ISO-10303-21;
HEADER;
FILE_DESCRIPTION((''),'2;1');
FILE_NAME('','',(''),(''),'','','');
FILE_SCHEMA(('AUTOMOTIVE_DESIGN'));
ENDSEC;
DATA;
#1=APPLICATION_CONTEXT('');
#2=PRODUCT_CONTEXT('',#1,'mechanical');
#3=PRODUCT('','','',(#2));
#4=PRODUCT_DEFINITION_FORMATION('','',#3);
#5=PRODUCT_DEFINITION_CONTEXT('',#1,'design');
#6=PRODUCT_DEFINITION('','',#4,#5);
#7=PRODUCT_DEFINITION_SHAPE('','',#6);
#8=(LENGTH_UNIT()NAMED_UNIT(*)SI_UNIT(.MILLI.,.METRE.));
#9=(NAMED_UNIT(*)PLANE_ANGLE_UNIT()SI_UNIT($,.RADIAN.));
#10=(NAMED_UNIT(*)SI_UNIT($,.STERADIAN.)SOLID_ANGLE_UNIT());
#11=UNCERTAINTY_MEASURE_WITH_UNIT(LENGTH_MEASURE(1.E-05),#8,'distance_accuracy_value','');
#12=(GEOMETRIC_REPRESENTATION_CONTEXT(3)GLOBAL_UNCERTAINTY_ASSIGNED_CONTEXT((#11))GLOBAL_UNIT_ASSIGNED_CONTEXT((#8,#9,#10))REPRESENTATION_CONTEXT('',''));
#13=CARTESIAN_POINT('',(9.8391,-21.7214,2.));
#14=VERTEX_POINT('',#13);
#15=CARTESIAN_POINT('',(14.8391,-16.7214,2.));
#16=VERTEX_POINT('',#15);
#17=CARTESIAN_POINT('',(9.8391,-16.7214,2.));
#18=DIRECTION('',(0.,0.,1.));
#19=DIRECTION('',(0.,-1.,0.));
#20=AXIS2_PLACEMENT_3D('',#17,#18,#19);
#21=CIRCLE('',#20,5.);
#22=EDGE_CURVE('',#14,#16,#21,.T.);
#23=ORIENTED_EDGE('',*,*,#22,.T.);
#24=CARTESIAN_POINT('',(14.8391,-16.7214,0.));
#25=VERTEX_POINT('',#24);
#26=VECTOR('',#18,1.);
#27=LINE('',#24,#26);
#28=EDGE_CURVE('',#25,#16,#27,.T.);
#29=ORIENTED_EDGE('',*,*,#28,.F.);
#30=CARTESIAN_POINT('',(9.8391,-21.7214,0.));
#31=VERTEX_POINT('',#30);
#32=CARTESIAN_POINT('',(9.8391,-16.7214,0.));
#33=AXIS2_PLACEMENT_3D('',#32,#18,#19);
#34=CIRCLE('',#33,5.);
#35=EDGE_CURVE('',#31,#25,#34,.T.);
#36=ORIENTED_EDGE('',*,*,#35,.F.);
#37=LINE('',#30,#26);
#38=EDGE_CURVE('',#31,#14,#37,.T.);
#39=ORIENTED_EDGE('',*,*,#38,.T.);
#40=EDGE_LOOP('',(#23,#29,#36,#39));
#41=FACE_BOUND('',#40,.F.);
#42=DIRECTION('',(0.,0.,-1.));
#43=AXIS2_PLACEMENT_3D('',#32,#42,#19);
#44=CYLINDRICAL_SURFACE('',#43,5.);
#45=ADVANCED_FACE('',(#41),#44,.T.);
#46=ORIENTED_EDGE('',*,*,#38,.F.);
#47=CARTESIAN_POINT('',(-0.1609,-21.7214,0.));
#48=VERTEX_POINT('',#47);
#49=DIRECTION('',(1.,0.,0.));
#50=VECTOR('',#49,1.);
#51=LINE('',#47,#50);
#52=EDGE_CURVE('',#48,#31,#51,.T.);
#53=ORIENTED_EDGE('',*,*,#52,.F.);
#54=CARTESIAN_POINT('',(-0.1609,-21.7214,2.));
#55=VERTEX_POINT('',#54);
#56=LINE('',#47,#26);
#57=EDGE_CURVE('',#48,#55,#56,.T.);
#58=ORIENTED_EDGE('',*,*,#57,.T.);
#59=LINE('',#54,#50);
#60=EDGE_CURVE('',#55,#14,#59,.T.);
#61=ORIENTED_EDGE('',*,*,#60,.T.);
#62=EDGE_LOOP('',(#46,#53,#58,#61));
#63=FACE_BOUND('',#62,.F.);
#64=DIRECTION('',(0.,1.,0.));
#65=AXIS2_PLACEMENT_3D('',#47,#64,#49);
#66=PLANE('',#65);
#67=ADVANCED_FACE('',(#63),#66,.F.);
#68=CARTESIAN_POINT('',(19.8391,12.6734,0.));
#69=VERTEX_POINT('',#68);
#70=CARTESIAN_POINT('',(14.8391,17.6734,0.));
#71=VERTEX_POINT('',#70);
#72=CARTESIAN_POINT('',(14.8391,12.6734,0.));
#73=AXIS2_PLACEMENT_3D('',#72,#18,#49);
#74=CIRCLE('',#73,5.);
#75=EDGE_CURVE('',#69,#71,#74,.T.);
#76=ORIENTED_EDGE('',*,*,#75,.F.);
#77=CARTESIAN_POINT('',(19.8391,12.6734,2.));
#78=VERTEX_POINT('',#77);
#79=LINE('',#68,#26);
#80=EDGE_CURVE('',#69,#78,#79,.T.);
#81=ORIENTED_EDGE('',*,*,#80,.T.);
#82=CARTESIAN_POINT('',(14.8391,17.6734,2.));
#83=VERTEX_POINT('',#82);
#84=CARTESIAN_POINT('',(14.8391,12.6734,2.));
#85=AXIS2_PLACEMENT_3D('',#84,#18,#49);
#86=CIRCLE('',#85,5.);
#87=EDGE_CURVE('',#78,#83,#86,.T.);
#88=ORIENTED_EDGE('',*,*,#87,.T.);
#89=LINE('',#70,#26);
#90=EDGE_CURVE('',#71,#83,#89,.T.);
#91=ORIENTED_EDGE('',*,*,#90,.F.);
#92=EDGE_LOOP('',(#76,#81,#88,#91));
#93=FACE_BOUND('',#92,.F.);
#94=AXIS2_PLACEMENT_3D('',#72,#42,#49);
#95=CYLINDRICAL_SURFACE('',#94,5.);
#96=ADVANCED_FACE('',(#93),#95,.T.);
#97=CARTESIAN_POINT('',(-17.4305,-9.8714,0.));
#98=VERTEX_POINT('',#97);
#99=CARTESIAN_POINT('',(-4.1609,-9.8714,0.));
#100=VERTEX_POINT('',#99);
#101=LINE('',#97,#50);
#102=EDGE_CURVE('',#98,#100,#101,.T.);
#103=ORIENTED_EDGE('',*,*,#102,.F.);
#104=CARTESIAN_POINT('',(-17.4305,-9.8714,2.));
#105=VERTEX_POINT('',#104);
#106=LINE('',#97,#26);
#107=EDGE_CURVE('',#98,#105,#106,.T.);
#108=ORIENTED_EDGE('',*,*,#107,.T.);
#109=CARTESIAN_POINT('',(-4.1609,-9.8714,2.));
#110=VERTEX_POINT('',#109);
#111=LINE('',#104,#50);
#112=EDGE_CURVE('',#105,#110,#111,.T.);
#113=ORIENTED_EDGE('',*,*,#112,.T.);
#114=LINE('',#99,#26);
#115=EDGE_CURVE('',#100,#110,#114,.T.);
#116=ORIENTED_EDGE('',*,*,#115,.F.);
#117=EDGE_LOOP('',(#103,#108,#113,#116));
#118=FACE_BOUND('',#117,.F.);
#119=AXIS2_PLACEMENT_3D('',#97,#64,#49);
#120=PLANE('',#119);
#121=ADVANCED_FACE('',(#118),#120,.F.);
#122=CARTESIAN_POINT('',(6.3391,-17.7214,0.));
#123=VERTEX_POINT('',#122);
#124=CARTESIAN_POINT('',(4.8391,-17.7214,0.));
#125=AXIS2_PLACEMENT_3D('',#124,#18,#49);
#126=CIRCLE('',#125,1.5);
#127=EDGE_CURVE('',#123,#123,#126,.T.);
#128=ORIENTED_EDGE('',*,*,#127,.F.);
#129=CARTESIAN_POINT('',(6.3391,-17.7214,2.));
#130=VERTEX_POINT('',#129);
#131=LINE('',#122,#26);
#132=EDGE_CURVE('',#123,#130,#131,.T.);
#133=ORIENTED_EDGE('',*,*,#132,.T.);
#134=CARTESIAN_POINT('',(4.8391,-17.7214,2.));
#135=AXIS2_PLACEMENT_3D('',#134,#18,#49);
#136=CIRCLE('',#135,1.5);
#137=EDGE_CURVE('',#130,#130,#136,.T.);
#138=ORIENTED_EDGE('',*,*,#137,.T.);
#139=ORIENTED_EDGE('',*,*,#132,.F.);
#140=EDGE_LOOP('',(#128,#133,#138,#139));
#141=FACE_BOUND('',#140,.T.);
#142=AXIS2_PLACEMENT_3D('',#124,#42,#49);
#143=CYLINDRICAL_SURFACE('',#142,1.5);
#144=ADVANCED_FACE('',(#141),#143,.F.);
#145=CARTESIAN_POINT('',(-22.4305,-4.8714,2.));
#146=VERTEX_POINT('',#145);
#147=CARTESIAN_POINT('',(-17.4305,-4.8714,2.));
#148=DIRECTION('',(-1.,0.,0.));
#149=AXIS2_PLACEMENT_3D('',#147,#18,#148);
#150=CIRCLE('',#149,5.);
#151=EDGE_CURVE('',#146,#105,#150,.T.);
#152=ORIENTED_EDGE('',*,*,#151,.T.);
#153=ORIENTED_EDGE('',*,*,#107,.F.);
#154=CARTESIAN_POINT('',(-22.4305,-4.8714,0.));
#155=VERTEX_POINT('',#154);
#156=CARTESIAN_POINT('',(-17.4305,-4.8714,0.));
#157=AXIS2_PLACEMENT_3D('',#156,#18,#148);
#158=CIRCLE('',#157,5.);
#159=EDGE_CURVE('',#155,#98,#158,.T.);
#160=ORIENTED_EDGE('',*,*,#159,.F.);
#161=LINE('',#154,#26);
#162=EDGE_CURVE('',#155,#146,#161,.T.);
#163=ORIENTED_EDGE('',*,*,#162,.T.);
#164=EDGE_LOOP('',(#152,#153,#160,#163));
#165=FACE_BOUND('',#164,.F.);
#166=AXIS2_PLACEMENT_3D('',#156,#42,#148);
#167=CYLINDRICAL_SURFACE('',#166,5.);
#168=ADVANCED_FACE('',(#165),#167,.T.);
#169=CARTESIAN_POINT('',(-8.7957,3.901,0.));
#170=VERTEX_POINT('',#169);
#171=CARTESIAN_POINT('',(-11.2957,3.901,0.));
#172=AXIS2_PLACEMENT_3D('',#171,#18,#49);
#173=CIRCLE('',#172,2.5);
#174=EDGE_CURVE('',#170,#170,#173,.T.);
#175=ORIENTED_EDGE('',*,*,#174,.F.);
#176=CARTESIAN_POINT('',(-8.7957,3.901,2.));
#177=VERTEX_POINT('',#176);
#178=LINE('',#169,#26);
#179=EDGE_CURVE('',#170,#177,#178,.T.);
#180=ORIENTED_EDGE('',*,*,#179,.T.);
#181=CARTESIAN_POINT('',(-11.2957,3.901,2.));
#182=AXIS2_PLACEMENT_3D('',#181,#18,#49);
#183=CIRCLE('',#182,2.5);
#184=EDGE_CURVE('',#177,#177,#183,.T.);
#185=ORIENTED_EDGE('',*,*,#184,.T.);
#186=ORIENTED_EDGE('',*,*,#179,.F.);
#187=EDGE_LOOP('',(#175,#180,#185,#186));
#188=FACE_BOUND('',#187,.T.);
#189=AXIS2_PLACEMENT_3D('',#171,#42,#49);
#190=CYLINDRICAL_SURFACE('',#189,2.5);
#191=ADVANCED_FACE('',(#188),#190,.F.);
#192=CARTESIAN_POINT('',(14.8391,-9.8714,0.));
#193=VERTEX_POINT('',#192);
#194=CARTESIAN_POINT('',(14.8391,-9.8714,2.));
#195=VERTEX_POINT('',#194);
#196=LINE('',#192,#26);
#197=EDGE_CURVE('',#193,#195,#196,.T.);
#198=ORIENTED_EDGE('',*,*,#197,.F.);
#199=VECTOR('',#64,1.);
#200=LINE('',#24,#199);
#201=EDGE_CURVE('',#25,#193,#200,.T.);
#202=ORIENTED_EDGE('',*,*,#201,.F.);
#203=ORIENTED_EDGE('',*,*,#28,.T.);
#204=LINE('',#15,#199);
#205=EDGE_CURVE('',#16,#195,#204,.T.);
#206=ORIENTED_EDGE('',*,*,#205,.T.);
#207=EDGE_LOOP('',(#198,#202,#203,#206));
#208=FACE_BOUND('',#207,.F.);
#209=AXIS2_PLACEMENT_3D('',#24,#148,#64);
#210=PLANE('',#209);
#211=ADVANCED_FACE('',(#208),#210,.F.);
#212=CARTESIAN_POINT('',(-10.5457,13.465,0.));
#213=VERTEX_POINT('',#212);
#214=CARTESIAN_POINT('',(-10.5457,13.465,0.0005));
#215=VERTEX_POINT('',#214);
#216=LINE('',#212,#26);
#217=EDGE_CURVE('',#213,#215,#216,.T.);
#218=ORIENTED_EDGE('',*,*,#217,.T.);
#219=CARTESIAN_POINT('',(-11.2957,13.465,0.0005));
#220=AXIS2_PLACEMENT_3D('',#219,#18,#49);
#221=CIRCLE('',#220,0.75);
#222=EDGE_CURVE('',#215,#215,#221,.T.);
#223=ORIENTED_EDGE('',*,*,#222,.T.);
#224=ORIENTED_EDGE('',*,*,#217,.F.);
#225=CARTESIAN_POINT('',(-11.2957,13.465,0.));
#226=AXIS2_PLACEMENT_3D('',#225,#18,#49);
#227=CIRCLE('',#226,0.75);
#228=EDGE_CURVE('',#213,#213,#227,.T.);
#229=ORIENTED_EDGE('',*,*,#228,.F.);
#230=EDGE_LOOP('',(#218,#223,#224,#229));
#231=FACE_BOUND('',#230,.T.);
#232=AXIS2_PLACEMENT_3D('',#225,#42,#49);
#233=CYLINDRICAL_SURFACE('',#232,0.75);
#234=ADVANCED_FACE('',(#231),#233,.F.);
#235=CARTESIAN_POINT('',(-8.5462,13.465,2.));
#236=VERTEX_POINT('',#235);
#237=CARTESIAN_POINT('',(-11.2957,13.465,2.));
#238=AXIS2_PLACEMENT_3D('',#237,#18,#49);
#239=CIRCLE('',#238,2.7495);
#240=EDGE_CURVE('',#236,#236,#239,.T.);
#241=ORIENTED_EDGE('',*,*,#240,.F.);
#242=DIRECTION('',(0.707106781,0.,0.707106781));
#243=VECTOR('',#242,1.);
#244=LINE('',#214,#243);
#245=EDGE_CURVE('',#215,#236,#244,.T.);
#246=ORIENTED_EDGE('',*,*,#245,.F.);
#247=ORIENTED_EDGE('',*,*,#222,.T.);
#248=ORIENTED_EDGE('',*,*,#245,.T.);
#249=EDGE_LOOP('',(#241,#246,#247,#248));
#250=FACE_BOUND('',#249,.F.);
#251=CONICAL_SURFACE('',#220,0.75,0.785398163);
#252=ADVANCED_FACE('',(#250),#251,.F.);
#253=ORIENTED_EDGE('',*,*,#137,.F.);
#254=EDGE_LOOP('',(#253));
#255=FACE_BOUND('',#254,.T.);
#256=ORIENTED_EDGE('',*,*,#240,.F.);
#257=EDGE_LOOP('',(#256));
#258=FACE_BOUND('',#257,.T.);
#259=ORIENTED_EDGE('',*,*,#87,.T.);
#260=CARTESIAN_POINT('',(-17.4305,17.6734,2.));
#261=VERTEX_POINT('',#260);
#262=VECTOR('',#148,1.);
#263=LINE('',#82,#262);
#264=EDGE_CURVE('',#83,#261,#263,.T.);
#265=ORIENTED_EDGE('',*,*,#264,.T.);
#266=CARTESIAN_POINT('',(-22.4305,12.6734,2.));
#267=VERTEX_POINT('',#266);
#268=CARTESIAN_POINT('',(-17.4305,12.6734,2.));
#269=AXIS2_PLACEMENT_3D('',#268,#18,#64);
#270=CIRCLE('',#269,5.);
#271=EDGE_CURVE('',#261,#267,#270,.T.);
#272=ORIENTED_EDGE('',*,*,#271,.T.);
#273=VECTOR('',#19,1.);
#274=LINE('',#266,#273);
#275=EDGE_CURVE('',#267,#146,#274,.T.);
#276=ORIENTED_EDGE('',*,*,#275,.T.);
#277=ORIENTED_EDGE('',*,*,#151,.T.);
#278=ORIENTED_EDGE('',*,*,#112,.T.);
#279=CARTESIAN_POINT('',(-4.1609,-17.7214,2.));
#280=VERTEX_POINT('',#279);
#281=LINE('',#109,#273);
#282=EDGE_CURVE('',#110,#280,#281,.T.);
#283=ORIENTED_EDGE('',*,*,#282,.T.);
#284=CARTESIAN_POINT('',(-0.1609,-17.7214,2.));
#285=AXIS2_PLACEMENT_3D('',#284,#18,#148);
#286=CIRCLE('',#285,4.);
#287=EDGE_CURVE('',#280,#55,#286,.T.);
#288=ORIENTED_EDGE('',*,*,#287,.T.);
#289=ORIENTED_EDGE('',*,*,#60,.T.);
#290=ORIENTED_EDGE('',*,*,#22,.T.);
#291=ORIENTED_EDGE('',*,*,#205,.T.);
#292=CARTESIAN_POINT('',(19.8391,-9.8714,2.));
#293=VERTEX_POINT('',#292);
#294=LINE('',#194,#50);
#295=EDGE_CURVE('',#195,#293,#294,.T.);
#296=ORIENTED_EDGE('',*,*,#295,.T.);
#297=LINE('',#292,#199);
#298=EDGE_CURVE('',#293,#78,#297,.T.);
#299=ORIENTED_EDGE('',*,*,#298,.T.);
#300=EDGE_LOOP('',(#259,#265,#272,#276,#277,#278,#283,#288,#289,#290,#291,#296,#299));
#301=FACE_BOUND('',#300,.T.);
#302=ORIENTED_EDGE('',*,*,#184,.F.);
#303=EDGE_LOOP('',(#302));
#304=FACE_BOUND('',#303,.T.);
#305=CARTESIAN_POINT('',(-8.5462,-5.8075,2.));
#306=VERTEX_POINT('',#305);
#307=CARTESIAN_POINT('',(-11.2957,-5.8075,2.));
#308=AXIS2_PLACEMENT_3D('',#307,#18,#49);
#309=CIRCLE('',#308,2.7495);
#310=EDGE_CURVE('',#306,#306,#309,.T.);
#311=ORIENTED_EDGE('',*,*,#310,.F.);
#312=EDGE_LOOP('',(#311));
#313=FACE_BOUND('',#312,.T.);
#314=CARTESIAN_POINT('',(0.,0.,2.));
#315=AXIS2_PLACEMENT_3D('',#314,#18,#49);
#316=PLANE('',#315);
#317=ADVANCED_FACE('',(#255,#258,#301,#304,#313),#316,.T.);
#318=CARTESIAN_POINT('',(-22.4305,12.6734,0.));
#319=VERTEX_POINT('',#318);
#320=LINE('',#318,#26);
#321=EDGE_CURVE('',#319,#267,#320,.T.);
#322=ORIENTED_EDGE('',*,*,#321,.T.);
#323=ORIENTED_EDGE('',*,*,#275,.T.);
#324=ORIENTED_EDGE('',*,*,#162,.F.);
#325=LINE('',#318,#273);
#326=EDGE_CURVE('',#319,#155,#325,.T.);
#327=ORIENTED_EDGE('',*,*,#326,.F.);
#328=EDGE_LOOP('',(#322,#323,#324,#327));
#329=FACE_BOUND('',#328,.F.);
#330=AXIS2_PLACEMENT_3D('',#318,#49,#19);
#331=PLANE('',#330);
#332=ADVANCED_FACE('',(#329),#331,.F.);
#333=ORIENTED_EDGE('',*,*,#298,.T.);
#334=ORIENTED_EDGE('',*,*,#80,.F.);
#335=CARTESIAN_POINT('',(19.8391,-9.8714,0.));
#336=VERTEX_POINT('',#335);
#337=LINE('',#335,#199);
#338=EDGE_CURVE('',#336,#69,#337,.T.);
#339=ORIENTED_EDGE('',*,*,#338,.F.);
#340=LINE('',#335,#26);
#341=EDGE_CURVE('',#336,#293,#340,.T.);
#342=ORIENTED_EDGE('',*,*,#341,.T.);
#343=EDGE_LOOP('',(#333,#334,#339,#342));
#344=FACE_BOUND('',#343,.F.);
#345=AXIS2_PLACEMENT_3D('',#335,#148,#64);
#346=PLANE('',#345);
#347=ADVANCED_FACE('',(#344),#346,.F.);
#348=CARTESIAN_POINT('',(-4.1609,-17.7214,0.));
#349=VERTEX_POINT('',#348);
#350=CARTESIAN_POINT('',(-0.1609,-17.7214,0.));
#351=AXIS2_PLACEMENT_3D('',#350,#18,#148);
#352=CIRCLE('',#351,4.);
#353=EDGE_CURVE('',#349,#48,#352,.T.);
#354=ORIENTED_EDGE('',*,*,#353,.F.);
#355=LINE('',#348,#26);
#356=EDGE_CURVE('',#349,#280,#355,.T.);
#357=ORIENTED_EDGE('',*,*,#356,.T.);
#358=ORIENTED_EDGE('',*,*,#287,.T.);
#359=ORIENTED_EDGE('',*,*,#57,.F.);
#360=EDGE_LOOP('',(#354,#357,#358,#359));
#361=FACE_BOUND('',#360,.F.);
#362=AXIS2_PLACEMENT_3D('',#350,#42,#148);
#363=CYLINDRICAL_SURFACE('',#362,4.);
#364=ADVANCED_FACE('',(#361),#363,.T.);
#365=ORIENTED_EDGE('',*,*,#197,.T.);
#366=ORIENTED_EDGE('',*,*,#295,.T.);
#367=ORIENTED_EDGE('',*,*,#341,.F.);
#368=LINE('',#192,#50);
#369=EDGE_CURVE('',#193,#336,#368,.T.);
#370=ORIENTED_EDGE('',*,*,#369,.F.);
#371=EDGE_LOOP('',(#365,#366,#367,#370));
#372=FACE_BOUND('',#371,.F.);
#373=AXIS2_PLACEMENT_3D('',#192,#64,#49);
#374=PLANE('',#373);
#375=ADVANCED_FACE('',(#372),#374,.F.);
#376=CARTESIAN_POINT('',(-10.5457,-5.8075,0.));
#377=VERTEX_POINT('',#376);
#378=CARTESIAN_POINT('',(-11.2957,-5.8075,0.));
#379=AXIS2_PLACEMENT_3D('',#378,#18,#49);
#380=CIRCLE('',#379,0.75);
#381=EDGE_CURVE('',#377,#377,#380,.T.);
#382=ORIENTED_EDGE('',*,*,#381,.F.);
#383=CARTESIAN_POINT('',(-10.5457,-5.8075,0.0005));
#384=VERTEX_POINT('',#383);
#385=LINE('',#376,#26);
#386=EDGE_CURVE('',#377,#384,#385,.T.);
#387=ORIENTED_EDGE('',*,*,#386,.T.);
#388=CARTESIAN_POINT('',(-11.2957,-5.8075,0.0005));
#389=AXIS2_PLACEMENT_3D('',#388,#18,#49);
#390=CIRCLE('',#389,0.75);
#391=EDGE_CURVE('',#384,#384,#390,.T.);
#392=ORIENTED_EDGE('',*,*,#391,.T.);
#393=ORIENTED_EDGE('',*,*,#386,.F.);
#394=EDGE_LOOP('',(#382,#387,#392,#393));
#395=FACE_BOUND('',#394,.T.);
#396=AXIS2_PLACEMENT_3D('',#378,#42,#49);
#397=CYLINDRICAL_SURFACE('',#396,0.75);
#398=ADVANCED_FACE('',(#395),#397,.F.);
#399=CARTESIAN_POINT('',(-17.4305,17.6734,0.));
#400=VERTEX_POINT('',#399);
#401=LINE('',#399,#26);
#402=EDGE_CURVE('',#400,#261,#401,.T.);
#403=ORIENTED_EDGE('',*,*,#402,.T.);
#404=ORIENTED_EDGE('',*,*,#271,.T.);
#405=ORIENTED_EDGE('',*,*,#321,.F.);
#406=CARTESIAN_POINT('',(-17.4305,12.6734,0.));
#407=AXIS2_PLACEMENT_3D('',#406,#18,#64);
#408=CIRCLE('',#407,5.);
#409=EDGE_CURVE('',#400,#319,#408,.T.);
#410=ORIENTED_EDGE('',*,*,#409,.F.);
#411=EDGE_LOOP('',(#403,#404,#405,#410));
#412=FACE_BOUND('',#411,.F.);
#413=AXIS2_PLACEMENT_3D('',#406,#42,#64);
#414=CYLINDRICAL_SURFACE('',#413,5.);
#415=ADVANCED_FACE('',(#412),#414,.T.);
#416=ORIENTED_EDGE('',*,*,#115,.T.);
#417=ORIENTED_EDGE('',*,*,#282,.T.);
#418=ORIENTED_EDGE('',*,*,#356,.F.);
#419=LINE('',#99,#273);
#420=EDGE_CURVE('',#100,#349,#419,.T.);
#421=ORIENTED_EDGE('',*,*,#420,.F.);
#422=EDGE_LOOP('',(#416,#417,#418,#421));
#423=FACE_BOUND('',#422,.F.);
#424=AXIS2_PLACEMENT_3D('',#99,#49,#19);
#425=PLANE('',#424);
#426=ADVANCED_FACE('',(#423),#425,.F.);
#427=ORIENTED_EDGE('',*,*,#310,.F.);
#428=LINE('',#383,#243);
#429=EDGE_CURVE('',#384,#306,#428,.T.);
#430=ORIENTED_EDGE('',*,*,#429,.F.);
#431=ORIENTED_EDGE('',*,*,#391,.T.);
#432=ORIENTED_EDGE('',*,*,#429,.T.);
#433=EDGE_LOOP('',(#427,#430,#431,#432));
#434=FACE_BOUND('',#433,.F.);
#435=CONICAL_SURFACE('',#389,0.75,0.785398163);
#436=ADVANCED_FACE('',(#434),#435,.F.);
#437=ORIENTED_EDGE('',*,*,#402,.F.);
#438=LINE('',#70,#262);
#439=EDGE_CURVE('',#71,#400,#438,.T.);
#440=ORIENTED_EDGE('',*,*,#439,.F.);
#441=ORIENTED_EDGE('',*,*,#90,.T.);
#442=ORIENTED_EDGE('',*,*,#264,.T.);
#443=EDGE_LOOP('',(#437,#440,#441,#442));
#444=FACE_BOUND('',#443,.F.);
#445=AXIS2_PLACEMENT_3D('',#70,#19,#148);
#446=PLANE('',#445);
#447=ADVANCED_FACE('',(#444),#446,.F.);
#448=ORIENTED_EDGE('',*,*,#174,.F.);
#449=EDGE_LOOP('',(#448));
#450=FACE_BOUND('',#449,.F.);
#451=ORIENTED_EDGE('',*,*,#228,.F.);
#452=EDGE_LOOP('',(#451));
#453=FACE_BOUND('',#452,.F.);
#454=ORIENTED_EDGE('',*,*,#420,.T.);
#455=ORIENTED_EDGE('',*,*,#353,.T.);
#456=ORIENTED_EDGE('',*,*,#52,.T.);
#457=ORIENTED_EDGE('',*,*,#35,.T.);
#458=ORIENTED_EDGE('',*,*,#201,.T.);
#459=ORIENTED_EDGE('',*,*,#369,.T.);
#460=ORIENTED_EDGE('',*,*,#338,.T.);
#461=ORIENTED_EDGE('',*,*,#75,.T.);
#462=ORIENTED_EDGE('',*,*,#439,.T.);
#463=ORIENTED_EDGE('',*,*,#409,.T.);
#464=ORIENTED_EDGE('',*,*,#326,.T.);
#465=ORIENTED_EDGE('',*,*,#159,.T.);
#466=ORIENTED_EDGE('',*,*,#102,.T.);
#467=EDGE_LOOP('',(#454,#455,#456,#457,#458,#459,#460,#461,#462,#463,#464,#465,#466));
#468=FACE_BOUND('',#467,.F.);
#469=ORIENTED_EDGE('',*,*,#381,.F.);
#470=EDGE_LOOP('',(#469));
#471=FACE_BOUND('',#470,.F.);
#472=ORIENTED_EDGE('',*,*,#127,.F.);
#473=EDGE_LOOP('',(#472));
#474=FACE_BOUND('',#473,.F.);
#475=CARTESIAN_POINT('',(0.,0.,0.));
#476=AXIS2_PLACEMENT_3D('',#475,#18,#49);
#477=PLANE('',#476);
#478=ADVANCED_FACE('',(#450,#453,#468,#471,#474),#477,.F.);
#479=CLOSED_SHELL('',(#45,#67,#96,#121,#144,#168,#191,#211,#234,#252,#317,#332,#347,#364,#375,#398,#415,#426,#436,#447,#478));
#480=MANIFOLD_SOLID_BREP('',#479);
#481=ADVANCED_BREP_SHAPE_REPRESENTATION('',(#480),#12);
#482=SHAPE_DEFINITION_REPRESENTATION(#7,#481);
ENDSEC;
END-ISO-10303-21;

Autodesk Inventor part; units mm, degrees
ref_plane "YZ Plane" through (0, 0, 0) normal (1, 0, 0) x (0, 1, 0)
ref_plane "XZ Plane" through (0, 0, 0) normal (0, 1, 0) x (-1, 0, 0)
ref_plane "XY Plane" through (0, 0, 0) normal (0, 0, 1) x (1, 0, 0)
sketch "Эскиз1" plane through (0, 0, 0) normal (0, 0, 1) x (1, 0, 0)
  arc A0 (-17.4305, 17.6734) -> (-22.4305, 12.6734) centre (-17.4305, 12.6734) ccw
  line L0 (-22.4305, 12.6734) -> (-22.4305, -4.8714)
  arc A1 (-22.4305, -4.8714) -> (-17.4305, -9.8714) centre (-17.4305, -4.8714) ccw
  line L1 (-17.4305, -9.8714) -> (-4.1609, -9.8714)
  line L2 (-4.1609, -9.8714) -> (-4.1609, -17.7214)
  arc A2 (-4.1609, -17.7214) -> (-0.1609, -21.7214) centre (-0.1609, -17.7214) ccw
  line L3 (-0.1609, -21.7214) -> (9.8391, -21.7214)
  arc A3 (9.8391, -21.7214) -> (14.8391, -16.7214) centre (9.8391, -16.7214) ccw
  line L4 (14.8391, -16.7214) -> (14.8391, -9.8714)
  line L5 (19.8391, -9.8714) -> (19.8391, 12.6734)
  arc A4 (19.8391, 12.6734) -> (14.8391, 17.6734) centre (14.8391, 12.6734) ccw
  line L6 (14.8391, 17.6734) -> (-17.4305, 17.6734)
  circle A5 centre (-11.2957, 3.901) radius 2.5
  circle A6 centre (4.8391, -17.7214) radius 1.5
  line L7 (14.8391, -9.8714) -> (19.8391, -9.8714)
  circle A7 centre (-11.2957, 13.465) radius 0.75
  circle A8 centre (-11.2957, -5.8075) radius 0.75
  point P0 (0, 0)
  dimension "d0" = 5
extrude "Выдавливание1" add sketch "Эскиз1" along normal blind 2
chamfer "Фаска5" distance 2 angle 45 2 edges at (-12.0457, -5.8075, 2) (-12.0457, 13.465, 2)
properties part number "Верт держатели-2 левый"
